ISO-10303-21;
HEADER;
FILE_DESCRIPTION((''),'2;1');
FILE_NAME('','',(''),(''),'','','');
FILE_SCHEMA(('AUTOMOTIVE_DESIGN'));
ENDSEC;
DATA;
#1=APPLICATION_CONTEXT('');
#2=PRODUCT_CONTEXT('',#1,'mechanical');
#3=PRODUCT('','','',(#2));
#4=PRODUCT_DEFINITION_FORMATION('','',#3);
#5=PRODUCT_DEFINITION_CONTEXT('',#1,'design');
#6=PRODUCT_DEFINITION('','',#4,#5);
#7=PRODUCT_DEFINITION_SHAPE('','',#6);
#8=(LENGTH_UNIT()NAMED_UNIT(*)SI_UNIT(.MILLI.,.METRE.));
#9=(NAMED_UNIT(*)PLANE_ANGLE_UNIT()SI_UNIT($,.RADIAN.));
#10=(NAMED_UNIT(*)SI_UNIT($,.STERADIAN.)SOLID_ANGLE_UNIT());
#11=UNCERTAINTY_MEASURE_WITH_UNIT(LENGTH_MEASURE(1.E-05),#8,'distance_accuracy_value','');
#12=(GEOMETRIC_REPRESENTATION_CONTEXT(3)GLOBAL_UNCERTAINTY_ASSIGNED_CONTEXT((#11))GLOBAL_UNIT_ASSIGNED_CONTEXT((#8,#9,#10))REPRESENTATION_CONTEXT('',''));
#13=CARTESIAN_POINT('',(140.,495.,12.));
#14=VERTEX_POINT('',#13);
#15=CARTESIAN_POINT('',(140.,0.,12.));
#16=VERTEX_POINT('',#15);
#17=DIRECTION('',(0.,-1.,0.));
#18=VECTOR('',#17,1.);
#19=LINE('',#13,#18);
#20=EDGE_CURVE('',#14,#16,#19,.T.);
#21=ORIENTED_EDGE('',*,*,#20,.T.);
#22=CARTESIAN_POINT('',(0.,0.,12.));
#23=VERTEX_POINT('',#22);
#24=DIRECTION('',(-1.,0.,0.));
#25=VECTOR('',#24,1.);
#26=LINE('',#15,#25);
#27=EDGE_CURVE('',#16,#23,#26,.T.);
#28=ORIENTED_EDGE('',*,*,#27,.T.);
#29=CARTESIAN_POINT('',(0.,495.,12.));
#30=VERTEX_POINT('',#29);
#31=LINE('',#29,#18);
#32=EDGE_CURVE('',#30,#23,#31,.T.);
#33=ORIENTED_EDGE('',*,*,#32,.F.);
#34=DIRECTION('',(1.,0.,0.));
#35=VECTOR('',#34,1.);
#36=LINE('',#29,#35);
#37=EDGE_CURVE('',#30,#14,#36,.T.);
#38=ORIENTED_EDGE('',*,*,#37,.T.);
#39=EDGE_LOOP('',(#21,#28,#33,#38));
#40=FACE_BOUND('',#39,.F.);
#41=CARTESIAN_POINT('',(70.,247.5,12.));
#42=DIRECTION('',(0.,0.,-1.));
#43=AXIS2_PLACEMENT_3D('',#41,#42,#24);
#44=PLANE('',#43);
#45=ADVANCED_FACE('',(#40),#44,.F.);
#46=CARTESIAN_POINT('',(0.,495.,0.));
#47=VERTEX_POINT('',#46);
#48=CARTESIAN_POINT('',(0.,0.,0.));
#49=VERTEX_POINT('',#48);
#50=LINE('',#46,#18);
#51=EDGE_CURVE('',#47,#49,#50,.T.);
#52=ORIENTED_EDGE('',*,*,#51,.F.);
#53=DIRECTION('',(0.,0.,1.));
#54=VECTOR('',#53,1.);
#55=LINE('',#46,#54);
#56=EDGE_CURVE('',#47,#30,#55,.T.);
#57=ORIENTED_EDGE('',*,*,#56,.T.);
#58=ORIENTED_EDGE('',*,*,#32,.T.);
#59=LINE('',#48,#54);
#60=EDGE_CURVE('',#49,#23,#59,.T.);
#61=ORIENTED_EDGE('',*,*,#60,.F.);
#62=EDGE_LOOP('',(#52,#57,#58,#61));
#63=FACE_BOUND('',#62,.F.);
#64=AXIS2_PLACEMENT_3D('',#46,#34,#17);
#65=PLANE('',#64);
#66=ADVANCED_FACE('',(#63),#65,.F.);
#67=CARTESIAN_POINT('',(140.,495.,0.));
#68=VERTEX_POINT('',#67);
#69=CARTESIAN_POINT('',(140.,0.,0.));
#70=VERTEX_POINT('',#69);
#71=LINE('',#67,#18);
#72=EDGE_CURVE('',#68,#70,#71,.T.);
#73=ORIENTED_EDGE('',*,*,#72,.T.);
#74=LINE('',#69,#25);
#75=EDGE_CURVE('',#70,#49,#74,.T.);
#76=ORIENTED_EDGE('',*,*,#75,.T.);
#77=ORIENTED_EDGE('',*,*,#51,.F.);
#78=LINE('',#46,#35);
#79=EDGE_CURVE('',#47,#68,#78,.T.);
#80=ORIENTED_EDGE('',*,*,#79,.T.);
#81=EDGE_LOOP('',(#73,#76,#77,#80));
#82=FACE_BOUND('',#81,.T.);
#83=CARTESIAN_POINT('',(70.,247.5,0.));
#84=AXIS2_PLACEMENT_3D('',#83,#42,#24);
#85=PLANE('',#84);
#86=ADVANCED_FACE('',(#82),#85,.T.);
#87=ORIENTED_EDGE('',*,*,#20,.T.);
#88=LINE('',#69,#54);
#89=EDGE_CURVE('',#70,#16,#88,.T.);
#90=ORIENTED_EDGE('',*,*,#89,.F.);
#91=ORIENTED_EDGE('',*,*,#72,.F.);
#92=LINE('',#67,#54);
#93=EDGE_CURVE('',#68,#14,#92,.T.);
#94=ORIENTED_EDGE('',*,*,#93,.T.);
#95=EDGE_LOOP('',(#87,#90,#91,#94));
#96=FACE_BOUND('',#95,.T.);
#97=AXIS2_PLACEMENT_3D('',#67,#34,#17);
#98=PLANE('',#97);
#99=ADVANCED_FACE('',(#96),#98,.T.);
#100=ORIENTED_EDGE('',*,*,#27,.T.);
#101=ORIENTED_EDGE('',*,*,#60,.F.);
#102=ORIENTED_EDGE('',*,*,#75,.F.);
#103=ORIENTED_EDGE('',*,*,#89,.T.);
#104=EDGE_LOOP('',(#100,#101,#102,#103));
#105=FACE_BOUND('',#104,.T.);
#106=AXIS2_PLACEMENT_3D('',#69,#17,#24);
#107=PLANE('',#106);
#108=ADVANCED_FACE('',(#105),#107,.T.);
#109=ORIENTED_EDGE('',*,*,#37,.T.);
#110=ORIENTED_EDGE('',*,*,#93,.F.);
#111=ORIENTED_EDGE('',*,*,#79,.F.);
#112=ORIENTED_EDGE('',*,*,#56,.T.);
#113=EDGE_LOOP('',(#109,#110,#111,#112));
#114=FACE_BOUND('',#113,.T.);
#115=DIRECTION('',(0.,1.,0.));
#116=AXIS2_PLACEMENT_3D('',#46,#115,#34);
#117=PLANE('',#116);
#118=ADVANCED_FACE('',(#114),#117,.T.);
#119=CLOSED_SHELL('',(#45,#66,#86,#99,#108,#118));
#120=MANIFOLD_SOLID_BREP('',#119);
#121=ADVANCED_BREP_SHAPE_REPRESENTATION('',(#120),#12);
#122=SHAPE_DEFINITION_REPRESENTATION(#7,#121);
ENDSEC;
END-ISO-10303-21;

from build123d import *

# Parameters (mm, degrees)
PAD_DEPTH = 12


with BuildPart() as part:
    # Sketch → Pad (new body)
    with BuildSketch(Plane.XY):
        Polygon((0, 495), (140, 495), (140, 0), (0, 0), (0, 247.5), align=None)
    extrude(amount=PAD_DEPTH)


solid = part.part
